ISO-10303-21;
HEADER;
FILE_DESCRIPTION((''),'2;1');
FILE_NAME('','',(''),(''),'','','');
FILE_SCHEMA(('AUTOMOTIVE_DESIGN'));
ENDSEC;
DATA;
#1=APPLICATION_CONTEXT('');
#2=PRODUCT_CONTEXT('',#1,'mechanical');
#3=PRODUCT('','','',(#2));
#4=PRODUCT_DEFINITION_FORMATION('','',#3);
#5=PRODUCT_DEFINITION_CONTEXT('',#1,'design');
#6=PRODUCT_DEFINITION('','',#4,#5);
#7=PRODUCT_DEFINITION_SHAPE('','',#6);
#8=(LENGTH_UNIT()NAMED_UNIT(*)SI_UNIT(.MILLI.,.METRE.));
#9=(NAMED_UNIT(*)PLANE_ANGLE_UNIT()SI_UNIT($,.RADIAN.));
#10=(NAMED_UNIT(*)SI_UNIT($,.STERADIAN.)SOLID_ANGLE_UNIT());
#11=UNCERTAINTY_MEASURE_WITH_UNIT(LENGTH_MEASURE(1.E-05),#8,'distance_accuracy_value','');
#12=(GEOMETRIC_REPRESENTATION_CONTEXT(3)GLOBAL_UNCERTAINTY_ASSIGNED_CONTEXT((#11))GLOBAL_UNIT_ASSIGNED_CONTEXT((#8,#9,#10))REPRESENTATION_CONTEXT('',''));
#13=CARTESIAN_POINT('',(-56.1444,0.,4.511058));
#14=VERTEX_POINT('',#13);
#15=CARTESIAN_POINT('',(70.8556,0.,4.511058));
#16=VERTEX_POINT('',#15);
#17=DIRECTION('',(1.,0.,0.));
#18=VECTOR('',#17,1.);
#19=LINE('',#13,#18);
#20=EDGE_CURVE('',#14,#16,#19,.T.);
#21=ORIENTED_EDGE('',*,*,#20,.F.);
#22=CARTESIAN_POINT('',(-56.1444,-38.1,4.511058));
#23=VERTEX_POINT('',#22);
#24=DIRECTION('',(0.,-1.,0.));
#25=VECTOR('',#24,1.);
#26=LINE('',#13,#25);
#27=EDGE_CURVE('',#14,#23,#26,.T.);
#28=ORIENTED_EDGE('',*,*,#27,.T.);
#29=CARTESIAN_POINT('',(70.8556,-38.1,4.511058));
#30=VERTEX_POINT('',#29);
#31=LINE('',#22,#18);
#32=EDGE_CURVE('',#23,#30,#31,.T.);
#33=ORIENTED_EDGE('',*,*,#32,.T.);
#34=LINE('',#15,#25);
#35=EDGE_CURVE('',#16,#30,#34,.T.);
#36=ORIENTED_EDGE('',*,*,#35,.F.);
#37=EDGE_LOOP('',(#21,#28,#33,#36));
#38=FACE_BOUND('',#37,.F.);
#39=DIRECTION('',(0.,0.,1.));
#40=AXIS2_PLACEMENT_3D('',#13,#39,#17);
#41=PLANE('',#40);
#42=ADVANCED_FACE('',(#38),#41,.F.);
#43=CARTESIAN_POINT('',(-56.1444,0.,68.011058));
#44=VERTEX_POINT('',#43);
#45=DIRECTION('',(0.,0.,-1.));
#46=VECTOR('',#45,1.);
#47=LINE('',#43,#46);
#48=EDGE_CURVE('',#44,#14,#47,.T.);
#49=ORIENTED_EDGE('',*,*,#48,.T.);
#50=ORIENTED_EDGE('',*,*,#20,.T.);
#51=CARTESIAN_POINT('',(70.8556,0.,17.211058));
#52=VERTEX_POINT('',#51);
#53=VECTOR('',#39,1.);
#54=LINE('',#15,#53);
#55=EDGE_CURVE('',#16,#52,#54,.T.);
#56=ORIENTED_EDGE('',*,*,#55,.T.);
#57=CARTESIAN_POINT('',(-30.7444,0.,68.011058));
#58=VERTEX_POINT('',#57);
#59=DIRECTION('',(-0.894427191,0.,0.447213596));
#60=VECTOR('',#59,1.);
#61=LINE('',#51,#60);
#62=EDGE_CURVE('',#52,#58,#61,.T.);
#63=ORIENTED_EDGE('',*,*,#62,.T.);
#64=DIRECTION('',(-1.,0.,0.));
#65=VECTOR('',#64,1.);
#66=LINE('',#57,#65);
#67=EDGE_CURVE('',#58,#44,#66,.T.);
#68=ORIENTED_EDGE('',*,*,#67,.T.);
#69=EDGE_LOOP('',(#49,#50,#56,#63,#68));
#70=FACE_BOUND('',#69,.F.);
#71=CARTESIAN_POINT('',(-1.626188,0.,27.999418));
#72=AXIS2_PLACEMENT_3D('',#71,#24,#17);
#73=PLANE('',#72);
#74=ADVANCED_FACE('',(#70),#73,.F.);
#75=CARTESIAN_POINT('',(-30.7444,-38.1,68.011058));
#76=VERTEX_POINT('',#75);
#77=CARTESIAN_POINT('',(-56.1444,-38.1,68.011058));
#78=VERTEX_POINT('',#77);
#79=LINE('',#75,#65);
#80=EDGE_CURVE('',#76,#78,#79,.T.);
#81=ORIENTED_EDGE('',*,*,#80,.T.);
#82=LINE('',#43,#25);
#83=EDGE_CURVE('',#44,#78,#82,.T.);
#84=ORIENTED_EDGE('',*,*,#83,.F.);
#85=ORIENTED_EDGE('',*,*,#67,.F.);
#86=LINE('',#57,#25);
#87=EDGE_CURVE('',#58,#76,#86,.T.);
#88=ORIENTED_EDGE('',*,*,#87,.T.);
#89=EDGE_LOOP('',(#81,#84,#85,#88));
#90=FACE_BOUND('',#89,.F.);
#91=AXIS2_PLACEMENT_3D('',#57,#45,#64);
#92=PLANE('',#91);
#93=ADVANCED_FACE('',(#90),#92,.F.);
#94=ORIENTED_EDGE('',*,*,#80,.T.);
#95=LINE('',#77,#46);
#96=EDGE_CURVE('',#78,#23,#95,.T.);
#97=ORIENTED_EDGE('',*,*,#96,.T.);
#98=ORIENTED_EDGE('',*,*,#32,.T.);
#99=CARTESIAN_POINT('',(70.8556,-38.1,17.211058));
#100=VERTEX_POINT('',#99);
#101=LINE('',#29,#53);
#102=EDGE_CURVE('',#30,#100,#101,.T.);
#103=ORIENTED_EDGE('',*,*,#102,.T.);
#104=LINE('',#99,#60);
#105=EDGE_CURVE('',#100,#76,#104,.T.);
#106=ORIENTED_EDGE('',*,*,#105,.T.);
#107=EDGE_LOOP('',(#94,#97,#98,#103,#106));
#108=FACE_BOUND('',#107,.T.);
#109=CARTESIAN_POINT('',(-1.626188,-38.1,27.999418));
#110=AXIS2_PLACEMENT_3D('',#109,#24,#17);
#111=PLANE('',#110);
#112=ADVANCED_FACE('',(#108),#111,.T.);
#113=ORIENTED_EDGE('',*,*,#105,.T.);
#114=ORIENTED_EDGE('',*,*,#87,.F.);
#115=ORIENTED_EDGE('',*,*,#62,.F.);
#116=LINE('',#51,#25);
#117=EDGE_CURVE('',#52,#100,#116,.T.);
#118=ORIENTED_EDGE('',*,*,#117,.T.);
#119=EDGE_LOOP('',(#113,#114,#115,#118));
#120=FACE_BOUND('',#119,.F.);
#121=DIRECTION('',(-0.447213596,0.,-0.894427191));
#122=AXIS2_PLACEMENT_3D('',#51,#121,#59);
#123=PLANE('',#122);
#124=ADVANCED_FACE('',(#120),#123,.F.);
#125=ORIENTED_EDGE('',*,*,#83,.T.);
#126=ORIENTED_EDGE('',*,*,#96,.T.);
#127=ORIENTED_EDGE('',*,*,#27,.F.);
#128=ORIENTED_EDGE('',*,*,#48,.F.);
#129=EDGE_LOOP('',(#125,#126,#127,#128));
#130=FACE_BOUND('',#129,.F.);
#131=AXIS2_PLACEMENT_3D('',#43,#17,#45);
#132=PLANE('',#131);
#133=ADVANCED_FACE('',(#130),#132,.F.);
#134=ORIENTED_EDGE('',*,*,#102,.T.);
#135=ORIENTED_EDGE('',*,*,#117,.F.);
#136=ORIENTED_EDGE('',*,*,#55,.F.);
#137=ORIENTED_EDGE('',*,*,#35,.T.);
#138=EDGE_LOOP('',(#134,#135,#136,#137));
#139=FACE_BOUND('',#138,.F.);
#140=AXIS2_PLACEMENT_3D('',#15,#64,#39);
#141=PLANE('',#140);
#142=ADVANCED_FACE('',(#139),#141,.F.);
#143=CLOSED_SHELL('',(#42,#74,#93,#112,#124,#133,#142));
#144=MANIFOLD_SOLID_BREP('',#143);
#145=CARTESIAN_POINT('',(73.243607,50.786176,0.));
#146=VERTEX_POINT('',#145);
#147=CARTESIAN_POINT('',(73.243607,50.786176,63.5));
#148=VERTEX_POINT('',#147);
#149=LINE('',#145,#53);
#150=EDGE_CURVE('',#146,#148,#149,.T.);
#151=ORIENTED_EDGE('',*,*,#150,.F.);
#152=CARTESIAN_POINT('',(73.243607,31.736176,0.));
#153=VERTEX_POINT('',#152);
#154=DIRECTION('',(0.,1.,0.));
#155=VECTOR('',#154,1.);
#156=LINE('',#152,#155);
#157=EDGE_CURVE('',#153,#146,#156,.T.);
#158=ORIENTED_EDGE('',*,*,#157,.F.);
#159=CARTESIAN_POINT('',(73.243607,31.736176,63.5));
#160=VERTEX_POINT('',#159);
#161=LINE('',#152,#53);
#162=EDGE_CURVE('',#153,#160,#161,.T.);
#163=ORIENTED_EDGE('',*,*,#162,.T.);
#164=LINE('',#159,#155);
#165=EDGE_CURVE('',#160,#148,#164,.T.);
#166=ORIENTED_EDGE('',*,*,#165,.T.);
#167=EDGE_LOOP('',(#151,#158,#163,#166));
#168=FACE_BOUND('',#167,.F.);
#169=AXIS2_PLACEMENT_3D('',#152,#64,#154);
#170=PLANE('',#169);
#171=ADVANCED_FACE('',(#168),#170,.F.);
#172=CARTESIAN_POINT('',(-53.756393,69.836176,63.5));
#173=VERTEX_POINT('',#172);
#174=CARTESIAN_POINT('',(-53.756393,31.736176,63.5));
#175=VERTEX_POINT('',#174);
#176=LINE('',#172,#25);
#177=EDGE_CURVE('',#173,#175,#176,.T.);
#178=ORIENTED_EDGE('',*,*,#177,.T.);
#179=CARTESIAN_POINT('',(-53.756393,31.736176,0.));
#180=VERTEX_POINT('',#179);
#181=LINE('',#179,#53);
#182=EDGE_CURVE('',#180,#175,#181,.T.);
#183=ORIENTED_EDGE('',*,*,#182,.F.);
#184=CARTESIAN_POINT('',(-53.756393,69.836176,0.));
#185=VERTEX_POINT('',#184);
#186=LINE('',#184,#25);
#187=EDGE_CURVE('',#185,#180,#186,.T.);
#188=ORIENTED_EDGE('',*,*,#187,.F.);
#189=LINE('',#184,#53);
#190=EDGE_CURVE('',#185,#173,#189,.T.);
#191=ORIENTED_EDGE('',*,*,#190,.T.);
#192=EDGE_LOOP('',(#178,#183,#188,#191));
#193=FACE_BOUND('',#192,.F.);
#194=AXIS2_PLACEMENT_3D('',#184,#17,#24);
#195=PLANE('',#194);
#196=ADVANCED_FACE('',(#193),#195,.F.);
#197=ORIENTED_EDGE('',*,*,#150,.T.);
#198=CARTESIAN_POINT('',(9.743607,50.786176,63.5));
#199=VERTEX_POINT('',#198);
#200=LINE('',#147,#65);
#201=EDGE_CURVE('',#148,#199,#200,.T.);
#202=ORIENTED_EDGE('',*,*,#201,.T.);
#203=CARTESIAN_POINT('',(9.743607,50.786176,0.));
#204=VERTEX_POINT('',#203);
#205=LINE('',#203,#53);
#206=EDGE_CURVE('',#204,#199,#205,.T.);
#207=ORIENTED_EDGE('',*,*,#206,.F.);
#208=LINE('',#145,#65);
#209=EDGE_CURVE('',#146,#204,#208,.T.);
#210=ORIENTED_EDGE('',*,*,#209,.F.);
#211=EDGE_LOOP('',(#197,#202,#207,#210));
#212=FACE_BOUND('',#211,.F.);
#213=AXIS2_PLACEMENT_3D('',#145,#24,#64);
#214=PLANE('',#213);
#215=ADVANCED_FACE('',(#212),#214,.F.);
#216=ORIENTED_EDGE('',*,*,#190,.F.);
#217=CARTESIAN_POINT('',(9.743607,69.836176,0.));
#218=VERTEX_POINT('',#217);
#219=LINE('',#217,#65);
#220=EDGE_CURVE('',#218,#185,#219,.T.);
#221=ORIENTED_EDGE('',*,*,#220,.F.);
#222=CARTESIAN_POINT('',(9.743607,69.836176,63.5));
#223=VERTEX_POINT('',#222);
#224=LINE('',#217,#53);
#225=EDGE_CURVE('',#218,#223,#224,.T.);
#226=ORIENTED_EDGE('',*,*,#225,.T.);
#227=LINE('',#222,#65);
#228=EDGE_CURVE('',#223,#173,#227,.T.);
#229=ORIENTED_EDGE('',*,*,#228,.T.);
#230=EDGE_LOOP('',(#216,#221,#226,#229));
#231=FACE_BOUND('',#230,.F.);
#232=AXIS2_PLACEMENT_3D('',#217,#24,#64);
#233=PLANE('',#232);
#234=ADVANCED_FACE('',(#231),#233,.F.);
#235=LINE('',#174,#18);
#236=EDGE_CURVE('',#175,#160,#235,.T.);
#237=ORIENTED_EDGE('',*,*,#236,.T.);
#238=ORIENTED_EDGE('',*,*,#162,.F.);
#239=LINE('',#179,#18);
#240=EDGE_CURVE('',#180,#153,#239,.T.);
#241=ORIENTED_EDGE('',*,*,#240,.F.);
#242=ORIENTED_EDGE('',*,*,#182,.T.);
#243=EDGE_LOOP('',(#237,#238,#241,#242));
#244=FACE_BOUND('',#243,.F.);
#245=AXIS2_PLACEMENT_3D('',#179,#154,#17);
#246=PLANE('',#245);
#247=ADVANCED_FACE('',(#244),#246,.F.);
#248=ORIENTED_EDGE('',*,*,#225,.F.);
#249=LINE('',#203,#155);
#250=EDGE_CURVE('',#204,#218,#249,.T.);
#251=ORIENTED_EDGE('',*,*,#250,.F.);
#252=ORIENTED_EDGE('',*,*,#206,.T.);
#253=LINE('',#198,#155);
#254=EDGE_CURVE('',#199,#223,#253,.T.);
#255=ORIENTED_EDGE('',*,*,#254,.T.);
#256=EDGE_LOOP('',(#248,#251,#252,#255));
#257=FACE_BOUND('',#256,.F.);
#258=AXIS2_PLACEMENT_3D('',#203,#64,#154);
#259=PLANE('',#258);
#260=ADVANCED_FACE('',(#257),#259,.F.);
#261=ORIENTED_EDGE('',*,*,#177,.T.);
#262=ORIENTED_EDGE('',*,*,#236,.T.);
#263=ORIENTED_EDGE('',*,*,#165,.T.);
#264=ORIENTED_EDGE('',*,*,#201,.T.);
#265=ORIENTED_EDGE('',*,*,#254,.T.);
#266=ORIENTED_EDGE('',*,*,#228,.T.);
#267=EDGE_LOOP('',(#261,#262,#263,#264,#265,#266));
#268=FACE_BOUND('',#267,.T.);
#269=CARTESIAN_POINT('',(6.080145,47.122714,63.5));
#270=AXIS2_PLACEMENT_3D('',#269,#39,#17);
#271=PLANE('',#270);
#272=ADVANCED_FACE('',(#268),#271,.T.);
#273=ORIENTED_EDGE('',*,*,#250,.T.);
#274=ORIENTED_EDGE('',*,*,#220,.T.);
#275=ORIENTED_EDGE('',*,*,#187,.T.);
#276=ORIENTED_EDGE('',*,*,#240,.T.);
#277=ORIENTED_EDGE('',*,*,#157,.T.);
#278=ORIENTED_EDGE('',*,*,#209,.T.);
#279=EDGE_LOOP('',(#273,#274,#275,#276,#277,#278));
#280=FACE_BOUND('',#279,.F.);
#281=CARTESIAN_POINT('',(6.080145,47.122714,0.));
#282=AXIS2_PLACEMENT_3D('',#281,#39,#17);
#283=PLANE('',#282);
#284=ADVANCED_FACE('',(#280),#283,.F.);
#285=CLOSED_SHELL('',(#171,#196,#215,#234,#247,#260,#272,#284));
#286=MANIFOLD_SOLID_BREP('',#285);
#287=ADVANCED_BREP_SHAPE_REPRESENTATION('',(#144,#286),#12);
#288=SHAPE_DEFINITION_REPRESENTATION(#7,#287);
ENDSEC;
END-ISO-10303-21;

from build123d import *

# Parameters (mm, degrees)
F1_DEPTH = 38.1
F3_DEPTH = 63.5


with BuildPart() as f1:
    # F0 (on Front) → F1 (new body)
    with BuildSketch(Plane.XZ):
        Polygon((-30.7444, 68.011058), (-56.1444, 68.011058), (-56.1444, 4.511058), (70.8556, 4.511058), (70.8556, 17.211058), align=None)
    extrude(amount=F1_DEPTH)


with BuildPart() as f3:
    # F2 (on Top) → F3 (new body)
    with BuildSketch(Plane.XY):
        Polygon((9.743607, 69.836176), (-53.756393, 69.836176), (-53.756393, 31.736176), (73.243607, 31.736176), (73.243607, 50.786176), (9.743607, 50.786176), align=None)
    extrude(amount=F3_DEPTH)


solid = Compound([f1.part, f3.part])
